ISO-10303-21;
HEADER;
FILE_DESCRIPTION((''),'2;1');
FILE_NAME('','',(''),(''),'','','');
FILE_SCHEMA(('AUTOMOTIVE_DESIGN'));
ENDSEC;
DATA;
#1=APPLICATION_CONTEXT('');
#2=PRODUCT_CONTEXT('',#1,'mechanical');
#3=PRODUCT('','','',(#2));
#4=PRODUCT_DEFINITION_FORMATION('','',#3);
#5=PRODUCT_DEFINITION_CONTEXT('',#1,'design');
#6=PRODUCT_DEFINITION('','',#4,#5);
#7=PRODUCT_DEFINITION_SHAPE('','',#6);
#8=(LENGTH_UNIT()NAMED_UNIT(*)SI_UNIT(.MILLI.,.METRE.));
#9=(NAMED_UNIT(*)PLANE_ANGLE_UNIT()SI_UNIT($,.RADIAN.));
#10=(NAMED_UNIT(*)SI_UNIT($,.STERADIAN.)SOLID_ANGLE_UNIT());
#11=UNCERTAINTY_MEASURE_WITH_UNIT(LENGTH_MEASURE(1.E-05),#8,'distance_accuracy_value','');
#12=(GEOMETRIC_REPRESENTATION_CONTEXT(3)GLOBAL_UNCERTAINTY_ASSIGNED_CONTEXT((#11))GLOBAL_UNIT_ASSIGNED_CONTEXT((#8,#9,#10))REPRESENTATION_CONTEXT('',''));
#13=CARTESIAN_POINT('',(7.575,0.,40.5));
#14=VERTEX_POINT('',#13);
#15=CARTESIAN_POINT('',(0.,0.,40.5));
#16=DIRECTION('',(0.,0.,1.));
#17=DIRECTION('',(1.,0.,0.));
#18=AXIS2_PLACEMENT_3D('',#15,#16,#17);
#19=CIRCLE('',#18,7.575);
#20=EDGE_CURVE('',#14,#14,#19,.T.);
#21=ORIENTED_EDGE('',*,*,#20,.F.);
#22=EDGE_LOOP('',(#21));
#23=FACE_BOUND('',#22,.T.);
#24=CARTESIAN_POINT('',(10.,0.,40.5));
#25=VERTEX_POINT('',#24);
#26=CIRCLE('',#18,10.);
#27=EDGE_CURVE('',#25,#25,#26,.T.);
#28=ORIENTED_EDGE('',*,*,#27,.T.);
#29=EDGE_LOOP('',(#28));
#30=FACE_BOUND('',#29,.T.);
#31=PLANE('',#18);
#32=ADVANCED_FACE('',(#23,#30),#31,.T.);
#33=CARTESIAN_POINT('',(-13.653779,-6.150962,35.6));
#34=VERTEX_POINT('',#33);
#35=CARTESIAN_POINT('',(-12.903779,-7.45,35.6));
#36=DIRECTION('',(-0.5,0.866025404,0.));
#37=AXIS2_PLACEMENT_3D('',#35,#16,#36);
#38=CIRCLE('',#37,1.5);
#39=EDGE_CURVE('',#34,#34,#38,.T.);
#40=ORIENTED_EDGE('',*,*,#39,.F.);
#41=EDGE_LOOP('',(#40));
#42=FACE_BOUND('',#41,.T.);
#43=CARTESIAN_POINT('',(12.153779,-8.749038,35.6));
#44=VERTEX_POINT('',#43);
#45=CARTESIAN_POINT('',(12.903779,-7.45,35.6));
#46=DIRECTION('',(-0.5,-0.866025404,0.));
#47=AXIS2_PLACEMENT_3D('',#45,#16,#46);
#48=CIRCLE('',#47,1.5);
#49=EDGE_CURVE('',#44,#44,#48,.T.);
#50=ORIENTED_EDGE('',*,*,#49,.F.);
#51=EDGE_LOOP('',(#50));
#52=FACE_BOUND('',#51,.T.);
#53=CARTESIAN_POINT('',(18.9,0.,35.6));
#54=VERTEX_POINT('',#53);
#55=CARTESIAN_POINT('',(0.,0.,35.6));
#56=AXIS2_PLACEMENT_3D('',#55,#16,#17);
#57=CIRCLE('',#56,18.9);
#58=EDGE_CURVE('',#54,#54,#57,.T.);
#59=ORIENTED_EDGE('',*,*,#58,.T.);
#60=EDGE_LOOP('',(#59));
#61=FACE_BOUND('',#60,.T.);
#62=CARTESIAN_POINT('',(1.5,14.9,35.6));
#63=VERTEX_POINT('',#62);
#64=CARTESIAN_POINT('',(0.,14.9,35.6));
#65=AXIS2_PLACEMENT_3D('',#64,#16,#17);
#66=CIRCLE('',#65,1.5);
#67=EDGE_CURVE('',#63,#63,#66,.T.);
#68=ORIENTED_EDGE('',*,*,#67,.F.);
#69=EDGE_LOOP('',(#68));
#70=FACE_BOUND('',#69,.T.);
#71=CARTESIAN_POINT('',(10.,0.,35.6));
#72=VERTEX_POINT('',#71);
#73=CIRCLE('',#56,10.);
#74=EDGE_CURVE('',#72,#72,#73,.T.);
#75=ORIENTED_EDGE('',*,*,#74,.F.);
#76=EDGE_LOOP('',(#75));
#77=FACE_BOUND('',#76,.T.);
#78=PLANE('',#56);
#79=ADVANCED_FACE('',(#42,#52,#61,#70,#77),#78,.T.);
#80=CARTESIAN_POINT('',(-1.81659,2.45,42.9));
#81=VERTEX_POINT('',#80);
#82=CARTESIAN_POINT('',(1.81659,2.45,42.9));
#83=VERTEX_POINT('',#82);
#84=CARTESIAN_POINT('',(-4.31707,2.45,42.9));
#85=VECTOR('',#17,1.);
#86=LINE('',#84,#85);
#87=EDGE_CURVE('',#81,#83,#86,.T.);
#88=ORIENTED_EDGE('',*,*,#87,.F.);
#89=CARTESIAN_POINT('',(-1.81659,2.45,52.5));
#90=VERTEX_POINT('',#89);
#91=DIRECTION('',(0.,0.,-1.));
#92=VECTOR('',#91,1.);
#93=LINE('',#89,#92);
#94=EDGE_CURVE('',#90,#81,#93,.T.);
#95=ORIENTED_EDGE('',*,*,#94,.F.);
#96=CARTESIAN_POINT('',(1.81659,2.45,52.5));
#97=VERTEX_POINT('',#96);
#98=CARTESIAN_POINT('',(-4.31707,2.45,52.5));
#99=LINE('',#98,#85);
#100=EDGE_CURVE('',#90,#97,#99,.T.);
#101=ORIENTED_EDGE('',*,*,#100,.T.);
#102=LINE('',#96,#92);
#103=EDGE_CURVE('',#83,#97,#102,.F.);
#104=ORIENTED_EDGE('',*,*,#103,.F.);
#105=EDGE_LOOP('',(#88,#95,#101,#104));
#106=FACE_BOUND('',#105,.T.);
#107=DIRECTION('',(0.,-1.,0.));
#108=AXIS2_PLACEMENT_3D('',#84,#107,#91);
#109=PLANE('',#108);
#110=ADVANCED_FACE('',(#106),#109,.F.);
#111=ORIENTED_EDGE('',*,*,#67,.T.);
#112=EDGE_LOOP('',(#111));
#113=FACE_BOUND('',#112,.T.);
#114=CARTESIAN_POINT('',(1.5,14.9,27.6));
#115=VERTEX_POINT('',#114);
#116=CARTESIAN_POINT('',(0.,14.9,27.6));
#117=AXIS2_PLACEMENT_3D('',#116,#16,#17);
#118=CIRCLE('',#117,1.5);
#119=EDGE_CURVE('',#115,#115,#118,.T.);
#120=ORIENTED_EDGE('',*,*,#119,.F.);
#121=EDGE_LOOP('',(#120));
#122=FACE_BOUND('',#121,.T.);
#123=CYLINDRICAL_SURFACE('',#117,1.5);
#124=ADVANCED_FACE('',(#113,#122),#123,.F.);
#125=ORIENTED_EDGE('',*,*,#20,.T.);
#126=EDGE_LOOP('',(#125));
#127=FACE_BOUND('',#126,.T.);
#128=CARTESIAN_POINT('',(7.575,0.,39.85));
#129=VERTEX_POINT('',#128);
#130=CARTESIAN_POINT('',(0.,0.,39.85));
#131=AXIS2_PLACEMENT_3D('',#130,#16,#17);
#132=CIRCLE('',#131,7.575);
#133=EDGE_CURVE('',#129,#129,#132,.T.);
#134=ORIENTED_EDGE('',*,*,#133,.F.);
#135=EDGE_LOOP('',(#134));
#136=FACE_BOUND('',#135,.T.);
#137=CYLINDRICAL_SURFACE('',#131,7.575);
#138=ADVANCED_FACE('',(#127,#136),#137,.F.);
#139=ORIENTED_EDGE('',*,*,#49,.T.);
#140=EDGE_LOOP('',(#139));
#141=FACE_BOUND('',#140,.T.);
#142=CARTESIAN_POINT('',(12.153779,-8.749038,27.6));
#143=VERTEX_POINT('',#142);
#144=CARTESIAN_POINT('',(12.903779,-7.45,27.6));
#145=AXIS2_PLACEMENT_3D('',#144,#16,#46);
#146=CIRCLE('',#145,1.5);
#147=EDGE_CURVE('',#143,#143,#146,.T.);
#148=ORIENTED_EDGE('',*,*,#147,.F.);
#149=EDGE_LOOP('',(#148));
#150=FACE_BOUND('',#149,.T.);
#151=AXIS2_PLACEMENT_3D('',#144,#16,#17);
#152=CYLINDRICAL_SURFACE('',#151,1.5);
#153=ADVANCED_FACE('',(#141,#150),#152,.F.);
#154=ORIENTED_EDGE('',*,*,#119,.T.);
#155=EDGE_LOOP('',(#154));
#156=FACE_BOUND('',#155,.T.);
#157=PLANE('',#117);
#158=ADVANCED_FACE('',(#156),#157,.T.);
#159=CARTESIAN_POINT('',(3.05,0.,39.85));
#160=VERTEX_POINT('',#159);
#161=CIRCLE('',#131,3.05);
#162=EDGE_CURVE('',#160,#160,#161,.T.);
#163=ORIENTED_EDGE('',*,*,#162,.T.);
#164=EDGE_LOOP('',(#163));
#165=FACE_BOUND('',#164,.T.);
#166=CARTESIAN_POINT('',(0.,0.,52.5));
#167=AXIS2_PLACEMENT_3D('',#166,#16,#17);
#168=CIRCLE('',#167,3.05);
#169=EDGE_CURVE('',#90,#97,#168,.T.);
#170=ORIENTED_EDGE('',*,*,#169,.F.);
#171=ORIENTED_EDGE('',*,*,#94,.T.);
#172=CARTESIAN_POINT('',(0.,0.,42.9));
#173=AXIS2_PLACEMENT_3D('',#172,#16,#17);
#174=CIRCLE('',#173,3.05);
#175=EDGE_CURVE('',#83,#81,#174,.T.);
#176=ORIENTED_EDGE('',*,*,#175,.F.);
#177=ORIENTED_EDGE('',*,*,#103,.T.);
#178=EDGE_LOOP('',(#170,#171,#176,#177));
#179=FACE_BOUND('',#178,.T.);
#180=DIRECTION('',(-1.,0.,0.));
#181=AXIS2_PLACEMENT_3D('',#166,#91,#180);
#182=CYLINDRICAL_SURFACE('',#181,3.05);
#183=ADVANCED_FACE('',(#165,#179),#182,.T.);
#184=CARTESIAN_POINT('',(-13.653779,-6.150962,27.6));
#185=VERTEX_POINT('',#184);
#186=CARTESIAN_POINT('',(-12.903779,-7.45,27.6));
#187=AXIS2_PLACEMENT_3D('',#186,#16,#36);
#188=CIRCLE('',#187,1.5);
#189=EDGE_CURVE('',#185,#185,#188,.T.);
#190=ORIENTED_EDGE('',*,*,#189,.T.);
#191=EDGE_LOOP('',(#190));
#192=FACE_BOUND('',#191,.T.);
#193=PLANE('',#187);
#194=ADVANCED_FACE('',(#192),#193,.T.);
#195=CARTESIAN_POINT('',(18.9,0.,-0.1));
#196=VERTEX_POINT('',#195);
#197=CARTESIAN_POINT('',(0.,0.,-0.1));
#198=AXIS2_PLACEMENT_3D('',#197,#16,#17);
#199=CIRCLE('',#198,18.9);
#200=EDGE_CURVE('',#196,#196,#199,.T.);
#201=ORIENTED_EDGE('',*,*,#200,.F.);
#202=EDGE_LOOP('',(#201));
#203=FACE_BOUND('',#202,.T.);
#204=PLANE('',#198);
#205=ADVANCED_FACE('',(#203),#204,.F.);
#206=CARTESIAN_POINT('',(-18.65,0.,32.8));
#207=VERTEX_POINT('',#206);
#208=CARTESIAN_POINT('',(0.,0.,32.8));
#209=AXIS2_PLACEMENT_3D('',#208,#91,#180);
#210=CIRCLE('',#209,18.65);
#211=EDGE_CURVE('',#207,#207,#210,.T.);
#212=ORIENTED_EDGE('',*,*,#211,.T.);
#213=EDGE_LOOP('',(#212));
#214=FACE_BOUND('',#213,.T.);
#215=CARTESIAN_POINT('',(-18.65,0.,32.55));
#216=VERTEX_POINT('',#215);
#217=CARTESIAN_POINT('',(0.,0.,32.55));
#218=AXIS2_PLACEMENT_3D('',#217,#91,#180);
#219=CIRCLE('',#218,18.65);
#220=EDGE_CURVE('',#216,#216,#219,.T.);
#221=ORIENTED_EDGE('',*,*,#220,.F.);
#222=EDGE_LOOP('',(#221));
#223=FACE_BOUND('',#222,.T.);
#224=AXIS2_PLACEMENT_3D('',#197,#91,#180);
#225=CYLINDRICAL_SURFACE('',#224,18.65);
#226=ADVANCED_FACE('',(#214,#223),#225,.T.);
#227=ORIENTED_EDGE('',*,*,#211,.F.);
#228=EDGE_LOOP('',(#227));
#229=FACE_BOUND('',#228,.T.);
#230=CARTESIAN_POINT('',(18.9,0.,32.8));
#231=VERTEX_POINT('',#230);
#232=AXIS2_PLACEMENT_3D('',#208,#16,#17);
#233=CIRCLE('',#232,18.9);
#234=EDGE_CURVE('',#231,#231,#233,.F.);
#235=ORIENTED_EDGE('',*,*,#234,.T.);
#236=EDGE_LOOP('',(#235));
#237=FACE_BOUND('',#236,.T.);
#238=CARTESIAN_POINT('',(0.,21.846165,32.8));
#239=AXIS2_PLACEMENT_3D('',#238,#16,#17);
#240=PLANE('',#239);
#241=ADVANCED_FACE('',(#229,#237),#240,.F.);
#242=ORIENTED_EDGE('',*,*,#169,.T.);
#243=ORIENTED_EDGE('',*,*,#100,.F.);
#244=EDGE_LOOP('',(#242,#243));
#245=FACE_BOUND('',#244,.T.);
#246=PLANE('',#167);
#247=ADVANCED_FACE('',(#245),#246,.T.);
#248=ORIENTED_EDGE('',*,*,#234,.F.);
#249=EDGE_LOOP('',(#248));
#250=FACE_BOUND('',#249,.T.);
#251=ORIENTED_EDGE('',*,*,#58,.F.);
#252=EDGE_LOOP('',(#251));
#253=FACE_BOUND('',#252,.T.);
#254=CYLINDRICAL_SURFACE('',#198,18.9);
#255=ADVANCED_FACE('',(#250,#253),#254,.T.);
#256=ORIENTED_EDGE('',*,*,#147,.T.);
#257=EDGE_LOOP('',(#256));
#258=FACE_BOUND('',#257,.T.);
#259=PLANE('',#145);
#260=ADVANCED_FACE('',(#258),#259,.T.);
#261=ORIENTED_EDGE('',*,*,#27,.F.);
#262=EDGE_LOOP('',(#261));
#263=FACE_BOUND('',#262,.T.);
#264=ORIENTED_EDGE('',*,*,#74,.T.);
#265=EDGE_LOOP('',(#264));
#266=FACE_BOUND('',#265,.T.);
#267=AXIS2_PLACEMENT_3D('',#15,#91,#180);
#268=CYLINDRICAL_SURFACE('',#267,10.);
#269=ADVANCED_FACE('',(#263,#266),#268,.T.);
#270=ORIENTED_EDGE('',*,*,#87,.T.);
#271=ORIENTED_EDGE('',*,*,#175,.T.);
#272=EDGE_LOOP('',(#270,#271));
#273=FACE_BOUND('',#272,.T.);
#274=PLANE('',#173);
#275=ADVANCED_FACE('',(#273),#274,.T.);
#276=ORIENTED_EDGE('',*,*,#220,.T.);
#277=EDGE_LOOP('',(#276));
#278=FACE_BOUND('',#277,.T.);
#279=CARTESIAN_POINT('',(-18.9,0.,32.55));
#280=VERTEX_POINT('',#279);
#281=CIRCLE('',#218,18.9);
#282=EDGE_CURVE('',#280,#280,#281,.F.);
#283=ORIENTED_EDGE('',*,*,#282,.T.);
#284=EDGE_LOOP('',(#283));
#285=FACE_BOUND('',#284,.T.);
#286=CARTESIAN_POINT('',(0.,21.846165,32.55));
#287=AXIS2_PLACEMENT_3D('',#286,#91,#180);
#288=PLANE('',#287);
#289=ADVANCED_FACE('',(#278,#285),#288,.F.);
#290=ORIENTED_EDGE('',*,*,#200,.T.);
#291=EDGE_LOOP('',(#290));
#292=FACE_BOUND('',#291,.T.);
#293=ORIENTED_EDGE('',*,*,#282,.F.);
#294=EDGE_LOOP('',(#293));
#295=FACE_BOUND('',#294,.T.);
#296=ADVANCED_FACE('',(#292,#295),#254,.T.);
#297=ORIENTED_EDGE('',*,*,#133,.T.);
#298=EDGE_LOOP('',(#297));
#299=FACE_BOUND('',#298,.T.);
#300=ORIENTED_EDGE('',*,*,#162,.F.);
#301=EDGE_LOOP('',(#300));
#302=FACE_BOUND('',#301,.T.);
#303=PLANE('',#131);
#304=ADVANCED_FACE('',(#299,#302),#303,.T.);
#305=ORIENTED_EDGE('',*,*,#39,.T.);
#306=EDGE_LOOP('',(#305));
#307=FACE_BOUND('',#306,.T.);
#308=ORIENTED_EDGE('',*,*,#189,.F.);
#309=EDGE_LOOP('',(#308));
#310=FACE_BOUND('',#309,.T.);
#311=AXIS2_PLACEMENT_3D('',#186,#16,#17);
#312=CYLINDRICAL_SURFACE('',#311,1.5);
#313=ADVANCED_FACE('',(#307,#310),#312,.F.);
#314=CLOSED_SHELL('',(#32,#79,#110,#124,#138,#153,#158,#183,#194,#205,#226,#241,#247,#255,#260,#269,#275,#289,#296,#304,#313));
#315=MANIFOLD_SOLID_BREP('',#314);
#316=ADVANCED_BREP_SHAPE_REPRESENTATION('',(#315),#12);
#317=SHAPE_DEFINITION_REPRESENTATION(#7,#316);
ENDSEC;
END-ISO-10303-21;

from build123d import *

# Parameters (mm, degrees)
ESQUISSE1_R                  = 18.9
BOSS_EXTRU_1_DEPTH           = 35.6
BOSS_EXTRU_1_DEPTH_BACK      = 0.1
ESQUISSE3_R                  = 10
BOSS_EXTRU_3_DEPTH           = 4.9
ESQUISSE4_R                  = 3.05
BOSS_EXTRU_4_DEPTH           = 12
ESQUISSE5_R                  = 1.5
ENL_V_MAT_EXTRU_1_DEPTH      = 8
ESQUISSE6_R                  = 7.575
ESQUISSE6_R_2                = 3.05
ENL_V_MAT_EXTRU_3_DEPTH      = 0.65
ENL_V_MAT_EXTRU_4_DEPTH      = 9.6
R_P_TITION_CIRCULAIRE1_COUNT = 3
ESQUISSE8_W                  = 0.25
ESQUISSE8_H                  = 3.196164938


with BuildPart() as part:
    # Esquisse1 → Boss.-Extru.1 (new body, two sides)
    with BuildSketch(Plane.XY) as boss_extru_1_sk:
        Circle(ESQUISSE1_R)
    extrude(amount=BOSS_EXTRU_1_DEPTH)
    extrude(boss_extru_1_sk.sketch, amount=-BOSS_EXTRU_1_DEPTH_BACK)

    # Esquisse3 → Boss.-Extru.3 (add)
    with BuildSketch(Plane.XY.offset(35.6)):
        Circle(ESQUISSE3_R)
    extrude(amount=BOSS_EXTRU_3_DEPTH)

    # Esquisse4 → Boss.-Extru.4 (add)
    with BuildSketch(Plane.XY.offset(40.5)):
        Circle(ESQUISSE4_R)
    extrude(amount=BOSS_EXTRU_4_DEPTH)

    # Esquisse5 → Enlèv. mat.-Extru.1 (cut)
    with BuildSketch(Plane.XY.offset(35.6)):
        with Locations((0, 14.9)):
            Circle(ESQUISSE5_R)
    enl_v_mat_extru_1 = extrude(amount=-ENL_V_MAT_EXTRU_1_DEPTH, mode=Mode.SUBTRACT)

    # Esquisse6 → Enlèv. mat.-Extru.3 (cut)
    with BuildSketch(Plane.XY.offset(40.5)):
        Circle(ESQUISSE6_R)
        Circle(ESQUISSE6_R_2, mode=Mode.SUBTRACT)
    extrude(amount=-ENL_V_MAT_EXTRU_3_DEPTH, mode=Mode.SUBTRACT)

    # Esquisse7 → Enlèv. mat.-Extru.4 (cut)
    with BuildSketch(Plane.XY.offset(52.5)):
        Polygon((-4.317069663, 2.45), (4.517863601, 2.45), (1.480855292, 5.48700831), (-3.363298459, 5.48700831), align=None)
    extrude(amount=-ENL_V_MAT_EXTRU_4_DEPTH, mode=Mode.SUBTRACT)

    # Répétition circulaire1: Enlèv. mat.-Extru.1 ×3 about axis
    r_p_tition_circulaire1_axis = Axis((0, 0, 0), (0, 0, 1))
    for i in range(1, R_P_TITION_CIRCULAIRE1_COUNT):
        add(enl_v_mat_extru_1.rotate(r_p_tition_circulaire1_axis, i * 360 / R_P_TITION_CIRCULAIRE1_COUNT), mode=Mode.SUBTRACT)

    # Esquisse8 → Enlèvement de matière-Révolution1 (revolve, cut)
    with BuildSketch(Plane(origin=(0, 0, 0), x_dir=(0, 0, -1), z_dir=(1, 0, 0))):
        with Locations((-32.675, 20.248082469)):
            Rectangle(ESQUISSE8_W, ESQUISSE8_H)
    revolve(axis=Axis((0, 0, -0.1), (0, 0, 1)), mode=Mode.SUBTRACT)


solid = part.part
